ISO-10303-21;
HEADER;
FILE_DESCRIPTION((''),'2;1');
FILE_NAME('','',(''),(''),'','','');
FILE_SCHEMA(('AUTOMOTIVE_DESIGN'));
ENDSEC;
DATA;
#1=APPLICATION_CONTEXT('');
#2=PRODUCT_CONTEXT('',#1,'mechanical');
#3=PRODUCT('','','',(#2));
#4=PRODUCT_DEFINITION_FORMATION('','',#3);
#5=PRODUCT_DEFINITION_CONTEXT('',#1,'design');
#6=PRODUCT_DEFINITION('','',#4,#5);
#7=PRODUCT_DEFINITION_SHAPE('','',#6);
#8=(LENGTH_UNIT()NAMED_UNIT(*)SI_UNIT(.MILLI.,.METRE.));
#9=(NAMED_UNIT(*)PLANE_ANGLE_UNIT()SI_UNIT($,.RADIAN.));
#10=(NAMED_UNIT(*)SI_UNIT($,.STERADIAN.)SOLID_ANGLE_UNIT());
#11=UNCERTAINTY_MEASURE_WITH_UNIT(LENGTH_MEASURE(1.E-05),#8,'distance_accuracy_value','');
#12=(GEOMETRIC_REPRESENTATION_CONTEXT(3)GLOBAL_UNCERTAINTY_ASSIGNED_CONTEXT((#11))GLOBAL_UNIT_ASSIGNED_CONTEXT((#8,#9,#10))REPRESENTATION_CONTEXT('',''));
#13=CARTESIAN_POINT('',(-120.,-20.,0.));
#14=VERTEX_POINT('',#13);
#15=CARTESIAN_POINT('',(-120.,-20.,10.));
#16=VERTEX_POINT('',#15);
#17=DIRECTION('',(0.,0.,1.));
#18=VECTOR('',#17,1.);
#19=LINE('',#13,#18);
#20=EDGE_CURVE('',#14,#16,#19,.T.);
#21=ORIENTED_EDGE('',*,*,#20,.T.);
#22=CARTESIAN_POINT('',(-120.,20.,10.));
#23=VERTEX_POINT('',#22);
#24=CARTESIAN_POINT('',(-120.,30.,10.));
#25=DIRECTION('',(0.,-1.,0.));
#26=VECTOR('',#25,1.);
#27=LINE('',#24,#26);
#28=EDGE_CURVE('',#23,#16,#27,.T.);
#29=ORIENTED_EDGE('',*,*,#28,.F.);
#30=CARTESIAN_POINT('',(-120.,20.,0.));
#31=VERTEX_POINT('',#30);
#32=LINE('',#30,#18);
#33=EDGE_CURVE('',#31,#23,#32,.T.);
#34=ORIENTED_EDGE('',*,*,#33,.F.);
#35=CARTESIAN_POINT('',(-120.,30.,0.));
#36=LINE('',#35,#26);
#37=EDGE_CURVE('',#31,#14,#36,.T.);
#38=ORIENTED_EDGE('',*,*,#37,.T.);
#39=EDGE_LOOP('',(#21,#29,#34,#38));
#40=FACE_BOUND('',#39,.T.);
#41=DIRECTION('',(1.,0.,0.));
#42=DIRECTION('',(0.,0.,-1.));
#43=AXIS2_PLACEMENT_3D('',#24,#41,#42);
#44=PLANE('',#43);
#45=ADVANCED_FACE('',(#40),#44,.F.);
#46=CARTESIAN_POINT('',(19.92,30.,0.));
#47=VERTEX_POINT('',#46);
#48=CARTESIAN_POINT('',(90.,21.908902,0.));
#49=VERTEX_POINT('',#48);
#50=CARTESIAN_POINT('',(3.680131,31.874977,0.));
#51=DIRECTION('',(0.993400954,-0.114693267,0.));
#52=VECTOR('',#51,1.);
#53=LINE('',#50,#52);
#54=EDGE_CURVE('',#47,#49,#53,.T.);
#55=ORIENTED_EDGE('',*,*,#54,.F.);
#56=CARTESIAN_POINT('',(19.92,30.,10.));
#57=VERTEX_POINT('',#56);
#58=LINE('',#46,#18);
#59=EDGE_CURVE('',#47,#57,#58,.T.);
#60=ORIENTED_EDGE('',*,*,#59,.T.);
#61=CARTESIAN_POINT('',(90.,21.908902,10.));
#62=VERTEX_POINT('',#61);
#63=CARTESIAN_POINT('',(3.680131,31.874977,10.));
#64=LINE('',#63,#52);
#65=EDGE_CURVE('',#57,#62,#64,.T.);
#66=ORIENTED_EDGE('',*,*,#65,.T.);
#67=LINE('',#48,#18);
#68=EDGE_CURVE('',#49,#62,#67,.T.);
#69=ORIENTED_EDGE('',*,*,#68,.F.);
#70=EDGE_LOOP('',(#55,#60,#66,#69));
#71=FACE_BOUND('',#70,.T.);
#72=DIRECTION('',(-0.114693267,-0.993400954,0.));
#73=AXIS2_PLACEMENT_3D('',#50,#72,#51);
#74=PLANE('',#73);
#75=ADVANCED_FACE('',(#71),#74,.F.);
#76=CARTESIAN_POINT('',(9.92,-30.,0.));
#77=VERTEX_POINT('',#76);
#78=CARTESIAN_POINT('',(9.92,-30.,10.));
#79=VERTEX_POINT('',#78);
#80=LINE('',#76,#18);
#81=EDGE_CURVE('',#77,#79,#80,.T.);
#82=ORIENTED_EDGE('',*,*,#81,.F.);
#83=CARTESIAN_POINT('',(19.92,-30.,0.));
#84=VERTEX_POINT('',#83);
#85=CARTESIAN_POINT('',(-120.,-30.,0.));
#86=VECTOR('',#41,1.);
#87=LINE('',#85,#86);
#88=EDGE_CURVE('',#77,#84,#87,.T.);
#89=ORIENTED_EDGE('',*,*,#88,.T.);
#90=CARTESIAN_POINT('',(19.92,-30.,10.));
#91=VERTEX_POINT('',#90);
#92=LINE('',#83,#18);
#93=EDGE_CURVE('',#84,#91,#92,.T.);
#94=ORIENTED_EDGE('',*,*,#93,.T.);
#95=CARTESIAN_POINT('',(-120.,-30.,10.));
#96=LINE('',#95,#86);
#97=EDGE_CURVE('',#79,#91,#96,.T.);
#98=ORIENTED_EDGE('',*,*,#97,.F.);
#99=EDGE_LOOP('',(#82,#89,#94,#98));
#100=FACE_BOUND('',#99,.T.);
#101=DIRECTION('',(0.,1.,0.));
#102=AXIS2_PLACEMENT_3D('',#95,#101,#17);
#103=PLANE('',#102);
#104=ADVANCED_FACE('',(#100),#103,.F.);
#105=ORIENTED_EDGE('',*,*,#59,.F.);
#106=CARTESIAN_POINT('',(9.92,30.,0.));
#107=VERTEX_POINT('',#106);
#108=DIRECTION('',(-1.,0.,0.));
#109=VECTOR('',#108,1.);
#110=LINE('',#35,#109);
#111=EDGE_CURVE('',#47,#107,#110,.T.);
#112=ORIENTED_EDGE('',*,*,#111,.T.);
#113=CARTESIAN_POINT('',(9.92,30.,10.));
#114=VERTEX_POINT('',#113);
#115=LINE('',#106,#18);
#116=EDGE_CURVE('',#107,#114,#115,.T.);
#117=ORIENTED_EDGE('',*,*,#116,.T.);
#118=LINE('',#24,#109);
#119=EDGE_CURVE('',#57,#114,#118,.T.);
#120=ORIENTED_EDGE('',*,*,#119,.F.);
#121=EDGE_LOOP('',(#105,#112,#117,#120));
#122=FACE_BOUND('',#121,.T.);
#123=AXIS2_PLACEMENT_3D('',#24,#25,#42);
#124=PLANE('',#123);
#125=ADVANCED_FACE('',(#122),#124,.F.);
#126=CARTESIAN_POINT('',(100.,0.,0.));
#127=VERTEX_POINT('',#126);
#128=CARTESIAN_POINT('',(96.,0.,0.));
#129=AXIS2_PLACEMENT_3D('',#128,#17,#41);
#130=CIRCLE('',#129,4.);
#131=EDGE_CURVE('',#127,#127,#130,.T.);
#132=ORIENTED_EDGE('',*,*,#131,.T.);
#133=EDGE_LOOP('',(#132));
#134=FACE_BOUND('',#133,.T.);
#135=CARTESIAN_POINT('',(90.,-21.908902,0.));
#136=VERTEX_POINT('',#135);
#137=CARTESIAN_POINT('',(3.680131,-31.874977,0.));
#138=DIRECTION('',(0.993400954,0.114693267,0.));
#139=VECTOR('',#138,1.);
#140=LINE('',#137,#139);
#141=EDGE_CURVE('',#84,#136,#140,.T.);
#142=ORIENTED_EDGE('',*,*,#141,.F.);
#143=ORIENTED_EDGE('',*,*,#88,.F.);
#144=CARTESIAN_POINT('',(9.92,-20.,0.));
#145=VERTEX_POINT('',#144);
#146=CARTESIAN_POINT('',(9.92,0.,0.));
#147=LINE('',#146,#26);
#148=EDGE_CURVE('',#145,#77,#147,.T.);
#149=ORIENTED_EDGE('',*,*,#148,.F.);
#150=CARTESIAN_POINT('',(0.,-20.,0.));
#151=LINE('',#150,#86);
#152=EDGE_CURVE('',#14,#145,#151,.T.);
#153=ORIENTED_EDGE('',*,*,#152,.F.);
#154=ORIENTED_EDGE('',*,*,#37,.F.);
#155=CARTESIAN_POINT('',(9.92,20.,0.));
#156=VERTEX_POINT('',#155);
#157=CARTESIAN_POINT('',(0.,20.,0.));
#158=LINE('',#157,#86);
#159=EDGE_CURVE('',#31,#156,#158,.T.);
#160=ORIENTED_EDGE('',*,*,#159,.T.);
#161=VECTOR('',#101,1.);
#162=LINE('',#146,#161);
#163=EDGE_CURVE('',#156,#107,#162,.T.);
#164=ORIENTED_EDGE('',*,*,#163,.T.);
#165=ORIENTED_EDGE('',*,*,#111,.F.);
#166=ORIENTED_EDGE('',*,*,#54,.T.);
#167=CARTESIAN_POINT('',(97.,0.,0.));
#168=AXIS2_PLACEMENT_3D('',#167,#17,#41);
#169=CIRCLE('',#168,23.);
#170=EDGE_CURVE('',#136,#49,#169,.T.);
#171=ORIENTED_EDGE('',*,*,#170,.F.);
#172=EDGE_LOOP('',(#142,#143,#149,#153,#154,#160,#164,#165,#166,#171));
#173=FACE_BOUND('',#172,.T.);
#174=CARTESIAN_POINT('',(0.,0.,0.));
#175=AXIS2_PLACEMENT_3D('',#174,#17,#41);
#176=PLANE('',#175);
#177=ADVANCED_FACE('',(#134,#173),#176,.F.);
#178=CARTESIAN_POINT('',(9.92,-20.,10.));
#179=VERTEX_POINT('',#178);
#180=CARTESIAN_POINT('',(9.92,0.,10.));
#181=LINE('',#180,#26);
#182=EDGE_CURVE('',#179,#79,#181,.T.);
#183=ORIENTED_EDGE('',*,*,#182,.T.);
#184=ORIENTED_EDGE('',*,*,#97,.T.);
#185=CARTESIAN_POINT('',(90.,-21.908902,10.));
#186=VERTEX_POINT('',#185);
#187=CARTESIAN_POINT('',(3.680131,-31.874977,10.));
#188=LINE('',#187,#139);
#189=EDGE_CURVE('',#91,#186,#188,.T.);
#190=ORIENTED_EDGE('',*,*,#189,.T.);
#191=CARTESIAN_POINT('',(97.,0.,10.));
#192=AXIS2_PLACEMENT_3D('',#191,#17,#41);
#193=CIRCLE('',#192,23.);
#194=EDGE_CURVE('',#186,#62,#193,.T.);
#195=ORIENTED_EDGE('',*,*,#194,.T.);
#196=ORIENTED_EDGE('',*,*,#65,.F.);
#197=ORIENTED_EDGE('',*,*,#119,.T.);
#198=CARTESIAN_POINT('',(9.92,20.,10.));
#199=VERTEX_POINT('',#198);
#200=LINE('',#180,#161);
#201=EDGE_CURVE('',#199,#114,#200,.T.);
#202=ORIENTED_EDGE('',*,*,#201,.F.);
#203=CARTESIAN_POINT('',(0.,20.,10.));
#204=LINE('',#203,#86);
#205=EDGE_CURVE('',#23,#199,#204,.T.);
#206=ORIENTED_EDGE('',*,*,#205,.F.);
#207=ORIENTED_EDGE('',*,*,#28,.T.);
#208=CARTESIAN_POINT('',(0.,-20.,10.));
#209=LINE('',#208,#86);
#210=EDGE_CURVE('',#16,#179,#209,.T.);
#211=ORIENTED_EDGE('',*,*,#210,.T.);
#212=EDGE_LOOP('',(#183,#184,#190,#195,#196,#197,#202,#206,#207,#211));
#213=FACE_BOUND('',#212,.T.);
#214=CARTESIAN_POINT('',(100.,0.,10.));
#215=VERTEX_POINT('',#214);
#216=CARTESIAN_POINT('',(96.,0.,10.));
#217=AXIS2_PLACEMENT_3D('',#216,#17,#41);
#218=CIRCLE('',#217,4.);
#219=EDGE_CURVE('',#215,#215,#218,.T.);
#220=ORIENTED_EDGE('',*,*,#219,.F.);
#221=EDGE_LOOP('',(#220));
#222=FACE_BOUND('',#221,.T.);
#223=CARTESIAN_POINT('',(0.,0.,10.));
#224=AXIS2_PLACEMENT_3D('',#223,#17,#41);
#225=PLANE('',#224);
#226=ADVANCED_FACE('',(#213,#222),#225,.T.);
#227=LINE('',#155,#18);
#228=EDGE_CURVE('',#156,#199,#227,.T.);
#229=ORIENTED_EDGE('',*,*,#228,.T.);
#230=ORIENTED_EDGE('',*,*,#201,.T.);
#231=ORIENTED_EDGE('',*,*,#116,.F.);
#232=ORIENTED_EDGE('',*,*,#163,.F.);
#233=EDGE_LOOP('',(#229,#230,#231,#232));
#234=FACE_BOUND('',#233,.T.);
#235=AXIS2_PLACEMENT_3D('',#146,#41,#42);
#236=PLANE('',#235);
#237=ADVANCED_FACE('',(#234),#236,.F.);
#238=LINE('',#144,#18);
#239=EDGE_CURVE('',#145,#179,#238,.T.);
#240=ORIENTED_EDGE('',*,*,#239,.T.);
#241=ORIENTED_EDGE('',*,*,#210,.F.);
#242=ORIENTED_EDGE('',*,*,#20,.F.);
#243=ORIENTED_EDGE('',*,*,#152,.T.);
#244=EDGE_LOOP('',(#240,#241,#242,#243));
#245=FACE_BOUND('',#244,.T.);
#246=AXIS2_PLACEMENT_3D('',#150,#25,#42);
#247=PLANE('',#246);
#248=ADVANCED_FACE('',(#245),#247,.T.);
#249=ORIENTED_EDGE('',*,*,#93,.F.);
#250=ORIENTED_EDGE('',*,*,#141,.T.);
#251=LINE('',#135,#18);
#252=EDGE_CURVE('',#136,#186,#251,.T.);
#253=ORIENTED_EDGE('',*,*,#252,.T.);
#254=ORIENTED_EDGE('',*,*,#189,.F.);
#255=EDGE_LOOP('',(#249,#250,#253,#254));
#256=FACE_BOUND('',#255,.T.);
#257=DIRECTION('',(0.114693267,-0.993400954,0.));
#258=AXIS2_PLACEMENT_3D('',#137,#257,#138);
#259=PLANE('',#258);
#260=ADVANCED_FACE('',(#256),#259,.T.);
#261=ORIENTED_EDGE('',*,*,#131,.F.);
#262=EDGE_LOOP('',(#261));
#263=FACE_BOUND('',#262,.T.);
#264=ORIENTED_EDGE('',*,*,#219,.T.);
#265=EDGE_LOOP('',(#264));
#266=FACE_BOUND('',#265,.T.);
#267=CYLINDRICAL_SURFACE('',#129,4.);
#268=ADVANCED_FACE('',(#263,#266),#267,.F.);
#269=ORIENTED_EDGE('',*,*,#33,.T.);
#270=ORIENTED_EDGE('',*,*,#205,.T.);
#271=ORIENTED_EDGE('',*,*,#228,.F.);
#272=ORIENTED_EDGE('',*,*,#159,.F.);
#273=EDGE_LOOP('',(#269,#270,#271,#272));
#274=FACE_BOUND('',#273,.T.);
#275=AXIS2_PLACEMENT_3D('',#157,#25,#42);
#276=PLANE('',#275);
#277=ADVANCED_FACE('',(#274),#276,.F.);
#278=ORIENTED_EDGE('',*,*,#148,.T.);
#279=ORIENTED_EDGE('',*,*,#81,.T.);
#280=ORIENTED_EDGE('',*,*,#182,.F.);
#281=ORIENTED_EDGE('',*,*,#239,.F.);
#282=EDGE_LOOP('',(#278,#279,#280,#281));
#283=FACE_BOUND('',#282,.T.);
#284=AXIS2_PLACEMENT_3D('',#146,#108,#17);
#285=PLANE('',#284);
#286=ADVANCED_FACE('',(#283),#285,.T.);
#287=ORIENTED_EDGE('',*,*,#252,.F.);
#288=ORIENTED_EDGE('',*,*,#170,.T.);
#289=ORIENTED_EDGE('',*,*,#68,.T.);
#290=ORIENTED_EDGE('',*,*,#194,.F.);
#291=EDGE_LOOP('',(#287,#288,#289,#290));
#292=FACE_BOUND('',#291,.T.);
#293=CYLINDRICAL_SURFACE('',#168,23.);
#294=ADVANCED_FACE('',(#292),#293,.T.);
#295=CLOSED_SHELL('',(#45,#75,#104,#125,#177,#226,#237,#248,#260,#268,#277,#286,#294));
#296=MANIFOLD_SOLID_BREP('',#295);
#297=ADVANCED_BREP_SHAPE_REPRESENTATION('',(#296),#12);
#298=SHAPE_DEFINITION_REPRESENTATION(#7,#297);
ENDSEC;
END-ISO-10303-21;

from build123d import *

# Parameters (mm, degrees)
SKETCH_1_W          = 240
SKETCH_1_H          = 60
EXTRUDE_1_DEPTH     = 10
SKETCH_2_W          = 129.92
SKETCH_2_H          = 10
CUT_EXTRUDE_2_DEPTH = 10
SKETCH_3_R          = 4
CUT_EXTRUDE_3_DEPTH = 10


with BuildPart() as part:
    # 草图1 → 凸台-拉伸1 (new body)
    with BuildSketch(Plane.XY):
        Rectangle(SKETCH_1_W, SKETCH_1_H)
    extrude(amount=EXTRUDE_1_DEPTH)

    # 草图2 → 切除-拉伸2 (cut)
    with BuildSketch(Plane.XY.offset(10)):
        Polygon((90, 30), (19.92, 30), (90, 21.9089023), align=None)
        with BuildLine():
            Line((90, 30), (90, 21.9089023))
            ThreePointArc((90, 21.9089023), (110.564659966, 18.574175621), (120, 0))
            Line((120, 0), (120, 30))
            Line((120, 30), (90, 30))
        make_face()
        with BuildLine():
            ThreePointArc((120, 0), (110.564659966, -18.574175621), (90, -21.9089023))
            Line((90, -21.9089023), (90, -30))
            Line((90, -30), (120, -30))
            Line((120, -30), (120, 0))
        make_face()
        Polygon((90, -21.9089023), (19.92, -30), (90, -30), align=None)
        with Locations((-55.04, 25)):
            Rectangle(SKETCH_2_W, SKETCH_2_H)
        with Locations((-55.04, -25)):
            Rectangle(SKETCH_2_W, SKETCH_2_H)
    extrude(amount=-CUT_EXTRUDE_2_DEPTH, mode=Mode.SUBTRACT)

    # 草图3 → 切除-拉伸3 (cut)
    with BuildSketch(Plane.XY.offset(10)):
        with Locations((96, 0)):
            Circle(SKETCH_3_R)
    extrude(amount=-CUT_EXTRUDE_3_DEPTH, mode=Mode.SUBTRACT)


solid = part.part
